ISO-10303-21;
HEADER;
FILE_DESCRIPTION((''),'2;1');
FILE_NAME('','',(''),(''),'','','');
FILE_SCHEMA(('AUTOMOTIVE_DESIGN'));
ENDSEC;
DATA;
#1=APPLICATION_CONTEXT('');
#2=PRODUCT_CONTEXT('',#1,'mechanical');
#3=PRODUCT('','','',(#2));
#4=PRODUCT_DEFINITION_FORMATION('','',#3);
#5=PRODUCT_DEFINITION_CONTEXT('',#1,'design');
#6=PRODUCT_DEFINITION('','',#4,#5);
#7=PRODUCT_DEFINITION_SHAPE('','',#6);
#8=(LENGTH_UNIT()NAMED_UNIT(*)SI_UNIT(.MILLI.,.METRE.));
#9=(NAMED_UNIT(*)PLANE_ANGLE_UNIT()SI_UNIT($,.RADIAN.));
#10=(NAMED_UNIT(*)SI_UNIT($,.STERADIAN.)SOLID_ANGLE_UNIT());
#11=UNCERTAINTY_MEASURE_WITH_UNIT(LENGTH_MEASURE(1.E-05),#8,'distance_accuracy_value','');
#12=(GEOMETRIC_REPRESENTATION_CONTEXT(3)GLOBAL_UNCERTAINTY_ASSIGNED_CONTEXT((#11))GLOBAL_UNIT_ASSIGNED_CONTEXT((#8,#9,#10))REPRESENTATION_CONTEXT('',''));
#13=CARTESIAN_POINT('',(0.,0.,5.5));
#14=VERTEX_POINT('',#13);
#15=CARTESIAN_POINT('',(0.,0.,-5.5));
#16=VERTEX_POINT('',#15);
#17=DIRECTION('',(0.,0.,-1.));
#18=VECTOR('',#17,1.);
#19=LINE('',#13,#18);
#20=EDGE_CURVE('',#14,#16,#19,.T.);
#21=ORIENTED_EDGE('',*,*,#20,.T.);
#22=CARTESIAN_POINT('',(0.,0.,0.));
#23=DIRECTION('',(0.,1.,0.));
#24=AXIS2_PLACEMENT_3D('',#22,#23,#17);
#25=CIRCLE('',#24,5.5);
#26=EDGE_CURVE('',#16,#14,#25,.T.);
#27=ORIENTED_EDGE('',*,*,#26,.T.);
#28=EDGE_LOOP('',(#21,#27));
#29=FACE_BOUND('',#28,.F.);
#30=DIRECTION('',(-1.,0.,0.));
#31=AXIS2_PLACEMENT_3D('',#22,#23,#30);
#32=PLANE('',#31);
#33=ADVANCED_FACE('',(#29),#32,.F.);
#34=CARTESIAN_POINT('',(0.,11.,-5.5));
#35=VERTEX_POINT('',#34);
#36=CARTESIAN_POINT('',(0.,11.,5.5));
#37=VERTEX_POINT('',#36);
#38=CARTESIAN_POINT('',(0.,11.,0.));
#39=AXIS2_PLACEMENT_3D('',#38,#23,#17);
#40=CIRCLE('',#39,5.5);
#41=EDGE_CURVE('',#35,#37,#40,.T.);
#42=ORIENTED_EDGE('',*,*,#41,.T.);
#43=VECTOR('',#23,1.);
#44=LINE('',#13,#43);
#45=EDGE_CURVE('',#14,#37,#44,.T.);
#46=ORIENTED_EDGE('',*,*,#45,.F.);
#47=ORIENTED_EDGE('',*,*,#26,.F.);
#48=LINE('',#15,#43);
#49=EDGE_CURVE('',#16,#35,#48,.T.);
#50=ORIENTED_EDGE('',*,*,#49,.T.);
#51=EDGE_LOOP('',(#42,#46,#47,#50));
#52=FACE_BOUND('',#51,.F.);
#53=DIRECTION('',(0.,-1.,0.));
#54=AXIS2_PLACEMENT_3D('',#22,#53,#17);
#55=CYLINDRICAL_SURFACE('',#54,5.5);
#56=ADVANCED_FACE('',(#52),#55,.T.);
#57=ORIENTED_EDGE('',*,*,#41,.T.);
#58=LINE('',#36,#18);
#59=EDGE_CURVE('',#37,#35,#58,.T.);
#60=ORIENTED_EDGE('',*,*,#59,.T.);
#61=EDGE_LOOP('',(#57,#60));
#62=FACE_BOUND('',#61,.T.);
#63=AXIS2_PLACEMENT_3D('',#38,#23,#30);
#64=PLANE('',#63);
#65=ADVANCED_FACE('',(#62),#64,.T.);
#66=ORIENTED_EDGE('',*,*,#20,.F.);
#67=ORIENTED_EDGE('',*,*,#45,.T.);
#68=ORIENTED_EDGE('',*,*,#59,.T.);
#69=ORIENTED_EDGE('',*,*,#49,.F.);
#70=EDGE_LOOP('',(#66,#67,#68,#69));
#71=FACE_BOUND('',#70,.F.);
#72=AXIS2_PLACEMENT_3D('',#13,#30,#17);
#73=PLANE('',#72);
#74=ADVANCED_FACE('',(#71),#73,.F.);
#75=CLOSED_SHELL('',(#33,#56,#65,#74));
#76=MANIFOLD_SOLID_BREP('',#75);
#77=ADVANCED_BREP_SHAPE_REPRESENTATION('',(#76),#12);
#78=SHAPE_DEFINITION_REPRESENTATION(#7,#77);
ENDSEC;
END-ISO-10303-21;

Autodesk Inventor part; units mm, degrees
ref_plane "YZ Plane" through (0, 0, 0) normal (1, 0, 0) x (0, 1, 0)
ref_plane "XZ Plane" through (0, 0, 0) normal (0, 1, 0) x (-1, 0, 0)
ref_plane "XY Plane" through (0, 0, 0) normal (0, 0, 1) x (1, 0, 0)
sketch "Sketch1" plane through (0, 0, 0) normal (0, 1, 0) x (-1, 0, 0)
  arc A0 (0, -5.5) -> (0, 5.5) centre (0, 0) ccw
  line L0 (0, 5.5) -> (0, -5.5)
  dimension "d0" = 11
extrude "Extrusion1" add sketch "Sketch1" along normal blind 11
properties part number "11mm_radius_mold"
